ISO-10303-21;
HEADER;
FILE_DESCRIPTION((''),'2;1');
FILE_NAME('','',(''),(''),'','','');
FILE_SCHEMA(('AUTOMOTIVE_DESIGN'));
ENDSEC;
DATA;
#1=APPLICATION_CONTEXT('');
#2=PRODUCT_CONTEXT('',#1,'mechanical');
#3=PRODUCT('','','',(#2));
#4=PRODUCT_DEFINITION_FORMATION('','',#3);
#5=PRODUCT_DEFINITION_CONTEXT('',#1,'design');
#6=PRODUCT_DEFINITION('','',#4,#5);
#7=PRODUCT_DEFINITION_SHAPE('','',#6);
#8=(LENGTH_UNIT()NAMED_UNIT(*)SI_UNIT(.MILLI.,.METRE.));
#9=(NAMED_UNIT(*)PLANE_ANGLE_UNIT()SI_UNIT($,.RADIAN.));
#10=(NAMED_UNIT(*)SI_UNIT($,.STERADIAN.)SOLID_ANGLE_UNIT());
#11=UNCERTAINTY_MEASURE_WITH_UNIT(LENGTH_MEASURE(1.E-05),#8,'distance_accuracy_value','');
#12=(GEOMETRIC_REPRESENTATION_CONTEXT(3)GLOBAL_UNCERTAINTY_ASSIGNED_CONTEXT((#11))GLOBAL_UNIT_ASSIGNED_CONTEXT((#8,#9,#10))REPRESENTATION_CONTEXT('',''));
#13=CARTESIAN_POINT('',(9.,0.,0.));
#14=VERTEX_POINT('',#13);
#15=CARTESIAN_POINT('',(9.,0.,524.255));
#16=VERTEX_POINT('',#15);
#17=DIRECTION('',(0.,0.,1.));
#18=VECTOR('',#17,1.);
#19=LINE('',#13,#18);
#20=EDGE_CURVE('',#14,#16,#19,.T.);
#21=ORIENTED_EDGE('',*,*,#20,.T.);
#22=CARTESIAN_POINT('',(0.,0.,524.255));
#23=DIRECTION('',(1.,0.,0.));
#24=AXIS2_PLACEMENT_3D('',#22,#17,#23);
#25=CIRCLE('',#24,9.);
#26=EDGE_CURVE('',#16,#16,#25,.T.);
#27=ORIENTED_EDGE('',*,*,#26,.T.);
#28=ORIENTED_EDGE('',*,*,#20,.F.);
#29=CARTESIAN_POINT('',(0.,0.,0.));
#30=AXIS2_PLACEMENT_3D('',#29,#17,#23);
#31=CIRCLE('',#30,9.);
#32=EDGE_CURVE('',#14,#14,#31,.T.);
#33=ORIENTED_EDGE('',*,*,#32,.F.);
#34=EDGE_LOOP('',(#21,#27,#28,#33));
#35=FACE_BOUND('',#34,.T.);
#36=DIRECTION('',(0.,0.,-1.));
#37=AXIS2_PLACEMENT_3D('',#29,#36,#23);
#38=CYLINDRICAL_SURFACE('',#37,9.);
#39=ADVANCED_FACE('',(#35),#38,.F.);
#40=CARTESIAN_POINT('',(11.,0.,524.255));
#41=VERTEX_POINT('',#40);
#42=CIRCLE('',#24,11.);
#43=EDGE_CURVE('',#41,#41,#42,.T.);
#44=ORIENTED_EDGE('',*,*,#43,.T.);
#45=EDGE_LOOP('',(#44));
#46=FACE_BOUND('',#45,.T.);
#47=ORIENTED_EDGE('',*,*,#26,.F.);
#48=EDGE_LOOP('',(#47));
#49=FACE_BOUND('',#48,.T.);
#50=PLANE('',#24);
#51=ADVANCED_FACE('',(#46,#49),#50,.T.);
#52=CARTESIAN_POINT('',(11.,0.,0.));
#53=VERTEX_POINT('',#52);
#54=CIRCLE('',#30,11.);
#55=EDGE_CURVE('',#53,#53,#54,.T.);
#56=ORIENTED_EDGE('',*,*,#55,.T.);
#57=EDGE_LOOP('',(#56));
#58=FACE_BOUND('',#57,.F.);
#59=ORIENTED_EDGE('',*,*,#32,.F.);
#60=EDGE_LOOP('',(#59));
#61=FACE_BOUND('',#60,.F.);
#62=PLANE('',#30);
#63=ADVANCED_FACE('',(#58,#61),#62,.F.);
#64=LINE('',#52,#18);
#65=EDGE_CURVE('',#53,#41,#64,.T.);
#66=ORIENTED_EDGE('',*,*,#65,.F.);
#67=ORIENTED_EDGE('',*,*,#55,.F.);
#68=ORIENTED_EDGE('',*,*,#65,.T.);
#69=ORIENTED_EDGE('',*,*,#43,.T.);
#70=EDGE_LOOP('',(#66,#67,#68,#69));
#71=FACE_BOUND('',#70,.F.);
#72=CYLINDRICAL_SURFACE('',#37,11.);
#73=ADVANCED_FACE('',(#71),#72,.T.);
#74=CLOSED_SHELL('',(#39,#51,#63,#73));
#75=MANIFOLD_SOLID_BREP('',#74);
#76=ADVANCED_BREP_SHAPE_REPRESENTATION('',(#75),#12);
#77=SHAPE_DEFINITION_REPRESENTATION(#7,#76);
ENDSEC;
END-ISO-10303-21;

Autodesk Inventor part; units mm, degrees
ref_plane "YZ Plane" through (0, 0, 0) normal (1, 0, 0) x (0, 1, 0)
ref_plane "XZ Plane" through (0, 0, 0) normal (0, 1, 0) x (-1, 0, 0)
ref_plane "XY Plane" through (0, 0, 0) normal (0, 0, 1) x (1, 0, 0)
sketch "Sketch1" plane through (0, 0, 0) normal (0, 0, 1) x (1, 0, 0)
  circle A0 centre (0, 0) radius 11
  circle A1 centre (0, 0) radius 9
  dimension "d0" = 22
  dimension "d1" = 18
extrude "Extrusion1" add sketch "Sketch1" along normal blind 524.255
properties part number "pvc middle"
